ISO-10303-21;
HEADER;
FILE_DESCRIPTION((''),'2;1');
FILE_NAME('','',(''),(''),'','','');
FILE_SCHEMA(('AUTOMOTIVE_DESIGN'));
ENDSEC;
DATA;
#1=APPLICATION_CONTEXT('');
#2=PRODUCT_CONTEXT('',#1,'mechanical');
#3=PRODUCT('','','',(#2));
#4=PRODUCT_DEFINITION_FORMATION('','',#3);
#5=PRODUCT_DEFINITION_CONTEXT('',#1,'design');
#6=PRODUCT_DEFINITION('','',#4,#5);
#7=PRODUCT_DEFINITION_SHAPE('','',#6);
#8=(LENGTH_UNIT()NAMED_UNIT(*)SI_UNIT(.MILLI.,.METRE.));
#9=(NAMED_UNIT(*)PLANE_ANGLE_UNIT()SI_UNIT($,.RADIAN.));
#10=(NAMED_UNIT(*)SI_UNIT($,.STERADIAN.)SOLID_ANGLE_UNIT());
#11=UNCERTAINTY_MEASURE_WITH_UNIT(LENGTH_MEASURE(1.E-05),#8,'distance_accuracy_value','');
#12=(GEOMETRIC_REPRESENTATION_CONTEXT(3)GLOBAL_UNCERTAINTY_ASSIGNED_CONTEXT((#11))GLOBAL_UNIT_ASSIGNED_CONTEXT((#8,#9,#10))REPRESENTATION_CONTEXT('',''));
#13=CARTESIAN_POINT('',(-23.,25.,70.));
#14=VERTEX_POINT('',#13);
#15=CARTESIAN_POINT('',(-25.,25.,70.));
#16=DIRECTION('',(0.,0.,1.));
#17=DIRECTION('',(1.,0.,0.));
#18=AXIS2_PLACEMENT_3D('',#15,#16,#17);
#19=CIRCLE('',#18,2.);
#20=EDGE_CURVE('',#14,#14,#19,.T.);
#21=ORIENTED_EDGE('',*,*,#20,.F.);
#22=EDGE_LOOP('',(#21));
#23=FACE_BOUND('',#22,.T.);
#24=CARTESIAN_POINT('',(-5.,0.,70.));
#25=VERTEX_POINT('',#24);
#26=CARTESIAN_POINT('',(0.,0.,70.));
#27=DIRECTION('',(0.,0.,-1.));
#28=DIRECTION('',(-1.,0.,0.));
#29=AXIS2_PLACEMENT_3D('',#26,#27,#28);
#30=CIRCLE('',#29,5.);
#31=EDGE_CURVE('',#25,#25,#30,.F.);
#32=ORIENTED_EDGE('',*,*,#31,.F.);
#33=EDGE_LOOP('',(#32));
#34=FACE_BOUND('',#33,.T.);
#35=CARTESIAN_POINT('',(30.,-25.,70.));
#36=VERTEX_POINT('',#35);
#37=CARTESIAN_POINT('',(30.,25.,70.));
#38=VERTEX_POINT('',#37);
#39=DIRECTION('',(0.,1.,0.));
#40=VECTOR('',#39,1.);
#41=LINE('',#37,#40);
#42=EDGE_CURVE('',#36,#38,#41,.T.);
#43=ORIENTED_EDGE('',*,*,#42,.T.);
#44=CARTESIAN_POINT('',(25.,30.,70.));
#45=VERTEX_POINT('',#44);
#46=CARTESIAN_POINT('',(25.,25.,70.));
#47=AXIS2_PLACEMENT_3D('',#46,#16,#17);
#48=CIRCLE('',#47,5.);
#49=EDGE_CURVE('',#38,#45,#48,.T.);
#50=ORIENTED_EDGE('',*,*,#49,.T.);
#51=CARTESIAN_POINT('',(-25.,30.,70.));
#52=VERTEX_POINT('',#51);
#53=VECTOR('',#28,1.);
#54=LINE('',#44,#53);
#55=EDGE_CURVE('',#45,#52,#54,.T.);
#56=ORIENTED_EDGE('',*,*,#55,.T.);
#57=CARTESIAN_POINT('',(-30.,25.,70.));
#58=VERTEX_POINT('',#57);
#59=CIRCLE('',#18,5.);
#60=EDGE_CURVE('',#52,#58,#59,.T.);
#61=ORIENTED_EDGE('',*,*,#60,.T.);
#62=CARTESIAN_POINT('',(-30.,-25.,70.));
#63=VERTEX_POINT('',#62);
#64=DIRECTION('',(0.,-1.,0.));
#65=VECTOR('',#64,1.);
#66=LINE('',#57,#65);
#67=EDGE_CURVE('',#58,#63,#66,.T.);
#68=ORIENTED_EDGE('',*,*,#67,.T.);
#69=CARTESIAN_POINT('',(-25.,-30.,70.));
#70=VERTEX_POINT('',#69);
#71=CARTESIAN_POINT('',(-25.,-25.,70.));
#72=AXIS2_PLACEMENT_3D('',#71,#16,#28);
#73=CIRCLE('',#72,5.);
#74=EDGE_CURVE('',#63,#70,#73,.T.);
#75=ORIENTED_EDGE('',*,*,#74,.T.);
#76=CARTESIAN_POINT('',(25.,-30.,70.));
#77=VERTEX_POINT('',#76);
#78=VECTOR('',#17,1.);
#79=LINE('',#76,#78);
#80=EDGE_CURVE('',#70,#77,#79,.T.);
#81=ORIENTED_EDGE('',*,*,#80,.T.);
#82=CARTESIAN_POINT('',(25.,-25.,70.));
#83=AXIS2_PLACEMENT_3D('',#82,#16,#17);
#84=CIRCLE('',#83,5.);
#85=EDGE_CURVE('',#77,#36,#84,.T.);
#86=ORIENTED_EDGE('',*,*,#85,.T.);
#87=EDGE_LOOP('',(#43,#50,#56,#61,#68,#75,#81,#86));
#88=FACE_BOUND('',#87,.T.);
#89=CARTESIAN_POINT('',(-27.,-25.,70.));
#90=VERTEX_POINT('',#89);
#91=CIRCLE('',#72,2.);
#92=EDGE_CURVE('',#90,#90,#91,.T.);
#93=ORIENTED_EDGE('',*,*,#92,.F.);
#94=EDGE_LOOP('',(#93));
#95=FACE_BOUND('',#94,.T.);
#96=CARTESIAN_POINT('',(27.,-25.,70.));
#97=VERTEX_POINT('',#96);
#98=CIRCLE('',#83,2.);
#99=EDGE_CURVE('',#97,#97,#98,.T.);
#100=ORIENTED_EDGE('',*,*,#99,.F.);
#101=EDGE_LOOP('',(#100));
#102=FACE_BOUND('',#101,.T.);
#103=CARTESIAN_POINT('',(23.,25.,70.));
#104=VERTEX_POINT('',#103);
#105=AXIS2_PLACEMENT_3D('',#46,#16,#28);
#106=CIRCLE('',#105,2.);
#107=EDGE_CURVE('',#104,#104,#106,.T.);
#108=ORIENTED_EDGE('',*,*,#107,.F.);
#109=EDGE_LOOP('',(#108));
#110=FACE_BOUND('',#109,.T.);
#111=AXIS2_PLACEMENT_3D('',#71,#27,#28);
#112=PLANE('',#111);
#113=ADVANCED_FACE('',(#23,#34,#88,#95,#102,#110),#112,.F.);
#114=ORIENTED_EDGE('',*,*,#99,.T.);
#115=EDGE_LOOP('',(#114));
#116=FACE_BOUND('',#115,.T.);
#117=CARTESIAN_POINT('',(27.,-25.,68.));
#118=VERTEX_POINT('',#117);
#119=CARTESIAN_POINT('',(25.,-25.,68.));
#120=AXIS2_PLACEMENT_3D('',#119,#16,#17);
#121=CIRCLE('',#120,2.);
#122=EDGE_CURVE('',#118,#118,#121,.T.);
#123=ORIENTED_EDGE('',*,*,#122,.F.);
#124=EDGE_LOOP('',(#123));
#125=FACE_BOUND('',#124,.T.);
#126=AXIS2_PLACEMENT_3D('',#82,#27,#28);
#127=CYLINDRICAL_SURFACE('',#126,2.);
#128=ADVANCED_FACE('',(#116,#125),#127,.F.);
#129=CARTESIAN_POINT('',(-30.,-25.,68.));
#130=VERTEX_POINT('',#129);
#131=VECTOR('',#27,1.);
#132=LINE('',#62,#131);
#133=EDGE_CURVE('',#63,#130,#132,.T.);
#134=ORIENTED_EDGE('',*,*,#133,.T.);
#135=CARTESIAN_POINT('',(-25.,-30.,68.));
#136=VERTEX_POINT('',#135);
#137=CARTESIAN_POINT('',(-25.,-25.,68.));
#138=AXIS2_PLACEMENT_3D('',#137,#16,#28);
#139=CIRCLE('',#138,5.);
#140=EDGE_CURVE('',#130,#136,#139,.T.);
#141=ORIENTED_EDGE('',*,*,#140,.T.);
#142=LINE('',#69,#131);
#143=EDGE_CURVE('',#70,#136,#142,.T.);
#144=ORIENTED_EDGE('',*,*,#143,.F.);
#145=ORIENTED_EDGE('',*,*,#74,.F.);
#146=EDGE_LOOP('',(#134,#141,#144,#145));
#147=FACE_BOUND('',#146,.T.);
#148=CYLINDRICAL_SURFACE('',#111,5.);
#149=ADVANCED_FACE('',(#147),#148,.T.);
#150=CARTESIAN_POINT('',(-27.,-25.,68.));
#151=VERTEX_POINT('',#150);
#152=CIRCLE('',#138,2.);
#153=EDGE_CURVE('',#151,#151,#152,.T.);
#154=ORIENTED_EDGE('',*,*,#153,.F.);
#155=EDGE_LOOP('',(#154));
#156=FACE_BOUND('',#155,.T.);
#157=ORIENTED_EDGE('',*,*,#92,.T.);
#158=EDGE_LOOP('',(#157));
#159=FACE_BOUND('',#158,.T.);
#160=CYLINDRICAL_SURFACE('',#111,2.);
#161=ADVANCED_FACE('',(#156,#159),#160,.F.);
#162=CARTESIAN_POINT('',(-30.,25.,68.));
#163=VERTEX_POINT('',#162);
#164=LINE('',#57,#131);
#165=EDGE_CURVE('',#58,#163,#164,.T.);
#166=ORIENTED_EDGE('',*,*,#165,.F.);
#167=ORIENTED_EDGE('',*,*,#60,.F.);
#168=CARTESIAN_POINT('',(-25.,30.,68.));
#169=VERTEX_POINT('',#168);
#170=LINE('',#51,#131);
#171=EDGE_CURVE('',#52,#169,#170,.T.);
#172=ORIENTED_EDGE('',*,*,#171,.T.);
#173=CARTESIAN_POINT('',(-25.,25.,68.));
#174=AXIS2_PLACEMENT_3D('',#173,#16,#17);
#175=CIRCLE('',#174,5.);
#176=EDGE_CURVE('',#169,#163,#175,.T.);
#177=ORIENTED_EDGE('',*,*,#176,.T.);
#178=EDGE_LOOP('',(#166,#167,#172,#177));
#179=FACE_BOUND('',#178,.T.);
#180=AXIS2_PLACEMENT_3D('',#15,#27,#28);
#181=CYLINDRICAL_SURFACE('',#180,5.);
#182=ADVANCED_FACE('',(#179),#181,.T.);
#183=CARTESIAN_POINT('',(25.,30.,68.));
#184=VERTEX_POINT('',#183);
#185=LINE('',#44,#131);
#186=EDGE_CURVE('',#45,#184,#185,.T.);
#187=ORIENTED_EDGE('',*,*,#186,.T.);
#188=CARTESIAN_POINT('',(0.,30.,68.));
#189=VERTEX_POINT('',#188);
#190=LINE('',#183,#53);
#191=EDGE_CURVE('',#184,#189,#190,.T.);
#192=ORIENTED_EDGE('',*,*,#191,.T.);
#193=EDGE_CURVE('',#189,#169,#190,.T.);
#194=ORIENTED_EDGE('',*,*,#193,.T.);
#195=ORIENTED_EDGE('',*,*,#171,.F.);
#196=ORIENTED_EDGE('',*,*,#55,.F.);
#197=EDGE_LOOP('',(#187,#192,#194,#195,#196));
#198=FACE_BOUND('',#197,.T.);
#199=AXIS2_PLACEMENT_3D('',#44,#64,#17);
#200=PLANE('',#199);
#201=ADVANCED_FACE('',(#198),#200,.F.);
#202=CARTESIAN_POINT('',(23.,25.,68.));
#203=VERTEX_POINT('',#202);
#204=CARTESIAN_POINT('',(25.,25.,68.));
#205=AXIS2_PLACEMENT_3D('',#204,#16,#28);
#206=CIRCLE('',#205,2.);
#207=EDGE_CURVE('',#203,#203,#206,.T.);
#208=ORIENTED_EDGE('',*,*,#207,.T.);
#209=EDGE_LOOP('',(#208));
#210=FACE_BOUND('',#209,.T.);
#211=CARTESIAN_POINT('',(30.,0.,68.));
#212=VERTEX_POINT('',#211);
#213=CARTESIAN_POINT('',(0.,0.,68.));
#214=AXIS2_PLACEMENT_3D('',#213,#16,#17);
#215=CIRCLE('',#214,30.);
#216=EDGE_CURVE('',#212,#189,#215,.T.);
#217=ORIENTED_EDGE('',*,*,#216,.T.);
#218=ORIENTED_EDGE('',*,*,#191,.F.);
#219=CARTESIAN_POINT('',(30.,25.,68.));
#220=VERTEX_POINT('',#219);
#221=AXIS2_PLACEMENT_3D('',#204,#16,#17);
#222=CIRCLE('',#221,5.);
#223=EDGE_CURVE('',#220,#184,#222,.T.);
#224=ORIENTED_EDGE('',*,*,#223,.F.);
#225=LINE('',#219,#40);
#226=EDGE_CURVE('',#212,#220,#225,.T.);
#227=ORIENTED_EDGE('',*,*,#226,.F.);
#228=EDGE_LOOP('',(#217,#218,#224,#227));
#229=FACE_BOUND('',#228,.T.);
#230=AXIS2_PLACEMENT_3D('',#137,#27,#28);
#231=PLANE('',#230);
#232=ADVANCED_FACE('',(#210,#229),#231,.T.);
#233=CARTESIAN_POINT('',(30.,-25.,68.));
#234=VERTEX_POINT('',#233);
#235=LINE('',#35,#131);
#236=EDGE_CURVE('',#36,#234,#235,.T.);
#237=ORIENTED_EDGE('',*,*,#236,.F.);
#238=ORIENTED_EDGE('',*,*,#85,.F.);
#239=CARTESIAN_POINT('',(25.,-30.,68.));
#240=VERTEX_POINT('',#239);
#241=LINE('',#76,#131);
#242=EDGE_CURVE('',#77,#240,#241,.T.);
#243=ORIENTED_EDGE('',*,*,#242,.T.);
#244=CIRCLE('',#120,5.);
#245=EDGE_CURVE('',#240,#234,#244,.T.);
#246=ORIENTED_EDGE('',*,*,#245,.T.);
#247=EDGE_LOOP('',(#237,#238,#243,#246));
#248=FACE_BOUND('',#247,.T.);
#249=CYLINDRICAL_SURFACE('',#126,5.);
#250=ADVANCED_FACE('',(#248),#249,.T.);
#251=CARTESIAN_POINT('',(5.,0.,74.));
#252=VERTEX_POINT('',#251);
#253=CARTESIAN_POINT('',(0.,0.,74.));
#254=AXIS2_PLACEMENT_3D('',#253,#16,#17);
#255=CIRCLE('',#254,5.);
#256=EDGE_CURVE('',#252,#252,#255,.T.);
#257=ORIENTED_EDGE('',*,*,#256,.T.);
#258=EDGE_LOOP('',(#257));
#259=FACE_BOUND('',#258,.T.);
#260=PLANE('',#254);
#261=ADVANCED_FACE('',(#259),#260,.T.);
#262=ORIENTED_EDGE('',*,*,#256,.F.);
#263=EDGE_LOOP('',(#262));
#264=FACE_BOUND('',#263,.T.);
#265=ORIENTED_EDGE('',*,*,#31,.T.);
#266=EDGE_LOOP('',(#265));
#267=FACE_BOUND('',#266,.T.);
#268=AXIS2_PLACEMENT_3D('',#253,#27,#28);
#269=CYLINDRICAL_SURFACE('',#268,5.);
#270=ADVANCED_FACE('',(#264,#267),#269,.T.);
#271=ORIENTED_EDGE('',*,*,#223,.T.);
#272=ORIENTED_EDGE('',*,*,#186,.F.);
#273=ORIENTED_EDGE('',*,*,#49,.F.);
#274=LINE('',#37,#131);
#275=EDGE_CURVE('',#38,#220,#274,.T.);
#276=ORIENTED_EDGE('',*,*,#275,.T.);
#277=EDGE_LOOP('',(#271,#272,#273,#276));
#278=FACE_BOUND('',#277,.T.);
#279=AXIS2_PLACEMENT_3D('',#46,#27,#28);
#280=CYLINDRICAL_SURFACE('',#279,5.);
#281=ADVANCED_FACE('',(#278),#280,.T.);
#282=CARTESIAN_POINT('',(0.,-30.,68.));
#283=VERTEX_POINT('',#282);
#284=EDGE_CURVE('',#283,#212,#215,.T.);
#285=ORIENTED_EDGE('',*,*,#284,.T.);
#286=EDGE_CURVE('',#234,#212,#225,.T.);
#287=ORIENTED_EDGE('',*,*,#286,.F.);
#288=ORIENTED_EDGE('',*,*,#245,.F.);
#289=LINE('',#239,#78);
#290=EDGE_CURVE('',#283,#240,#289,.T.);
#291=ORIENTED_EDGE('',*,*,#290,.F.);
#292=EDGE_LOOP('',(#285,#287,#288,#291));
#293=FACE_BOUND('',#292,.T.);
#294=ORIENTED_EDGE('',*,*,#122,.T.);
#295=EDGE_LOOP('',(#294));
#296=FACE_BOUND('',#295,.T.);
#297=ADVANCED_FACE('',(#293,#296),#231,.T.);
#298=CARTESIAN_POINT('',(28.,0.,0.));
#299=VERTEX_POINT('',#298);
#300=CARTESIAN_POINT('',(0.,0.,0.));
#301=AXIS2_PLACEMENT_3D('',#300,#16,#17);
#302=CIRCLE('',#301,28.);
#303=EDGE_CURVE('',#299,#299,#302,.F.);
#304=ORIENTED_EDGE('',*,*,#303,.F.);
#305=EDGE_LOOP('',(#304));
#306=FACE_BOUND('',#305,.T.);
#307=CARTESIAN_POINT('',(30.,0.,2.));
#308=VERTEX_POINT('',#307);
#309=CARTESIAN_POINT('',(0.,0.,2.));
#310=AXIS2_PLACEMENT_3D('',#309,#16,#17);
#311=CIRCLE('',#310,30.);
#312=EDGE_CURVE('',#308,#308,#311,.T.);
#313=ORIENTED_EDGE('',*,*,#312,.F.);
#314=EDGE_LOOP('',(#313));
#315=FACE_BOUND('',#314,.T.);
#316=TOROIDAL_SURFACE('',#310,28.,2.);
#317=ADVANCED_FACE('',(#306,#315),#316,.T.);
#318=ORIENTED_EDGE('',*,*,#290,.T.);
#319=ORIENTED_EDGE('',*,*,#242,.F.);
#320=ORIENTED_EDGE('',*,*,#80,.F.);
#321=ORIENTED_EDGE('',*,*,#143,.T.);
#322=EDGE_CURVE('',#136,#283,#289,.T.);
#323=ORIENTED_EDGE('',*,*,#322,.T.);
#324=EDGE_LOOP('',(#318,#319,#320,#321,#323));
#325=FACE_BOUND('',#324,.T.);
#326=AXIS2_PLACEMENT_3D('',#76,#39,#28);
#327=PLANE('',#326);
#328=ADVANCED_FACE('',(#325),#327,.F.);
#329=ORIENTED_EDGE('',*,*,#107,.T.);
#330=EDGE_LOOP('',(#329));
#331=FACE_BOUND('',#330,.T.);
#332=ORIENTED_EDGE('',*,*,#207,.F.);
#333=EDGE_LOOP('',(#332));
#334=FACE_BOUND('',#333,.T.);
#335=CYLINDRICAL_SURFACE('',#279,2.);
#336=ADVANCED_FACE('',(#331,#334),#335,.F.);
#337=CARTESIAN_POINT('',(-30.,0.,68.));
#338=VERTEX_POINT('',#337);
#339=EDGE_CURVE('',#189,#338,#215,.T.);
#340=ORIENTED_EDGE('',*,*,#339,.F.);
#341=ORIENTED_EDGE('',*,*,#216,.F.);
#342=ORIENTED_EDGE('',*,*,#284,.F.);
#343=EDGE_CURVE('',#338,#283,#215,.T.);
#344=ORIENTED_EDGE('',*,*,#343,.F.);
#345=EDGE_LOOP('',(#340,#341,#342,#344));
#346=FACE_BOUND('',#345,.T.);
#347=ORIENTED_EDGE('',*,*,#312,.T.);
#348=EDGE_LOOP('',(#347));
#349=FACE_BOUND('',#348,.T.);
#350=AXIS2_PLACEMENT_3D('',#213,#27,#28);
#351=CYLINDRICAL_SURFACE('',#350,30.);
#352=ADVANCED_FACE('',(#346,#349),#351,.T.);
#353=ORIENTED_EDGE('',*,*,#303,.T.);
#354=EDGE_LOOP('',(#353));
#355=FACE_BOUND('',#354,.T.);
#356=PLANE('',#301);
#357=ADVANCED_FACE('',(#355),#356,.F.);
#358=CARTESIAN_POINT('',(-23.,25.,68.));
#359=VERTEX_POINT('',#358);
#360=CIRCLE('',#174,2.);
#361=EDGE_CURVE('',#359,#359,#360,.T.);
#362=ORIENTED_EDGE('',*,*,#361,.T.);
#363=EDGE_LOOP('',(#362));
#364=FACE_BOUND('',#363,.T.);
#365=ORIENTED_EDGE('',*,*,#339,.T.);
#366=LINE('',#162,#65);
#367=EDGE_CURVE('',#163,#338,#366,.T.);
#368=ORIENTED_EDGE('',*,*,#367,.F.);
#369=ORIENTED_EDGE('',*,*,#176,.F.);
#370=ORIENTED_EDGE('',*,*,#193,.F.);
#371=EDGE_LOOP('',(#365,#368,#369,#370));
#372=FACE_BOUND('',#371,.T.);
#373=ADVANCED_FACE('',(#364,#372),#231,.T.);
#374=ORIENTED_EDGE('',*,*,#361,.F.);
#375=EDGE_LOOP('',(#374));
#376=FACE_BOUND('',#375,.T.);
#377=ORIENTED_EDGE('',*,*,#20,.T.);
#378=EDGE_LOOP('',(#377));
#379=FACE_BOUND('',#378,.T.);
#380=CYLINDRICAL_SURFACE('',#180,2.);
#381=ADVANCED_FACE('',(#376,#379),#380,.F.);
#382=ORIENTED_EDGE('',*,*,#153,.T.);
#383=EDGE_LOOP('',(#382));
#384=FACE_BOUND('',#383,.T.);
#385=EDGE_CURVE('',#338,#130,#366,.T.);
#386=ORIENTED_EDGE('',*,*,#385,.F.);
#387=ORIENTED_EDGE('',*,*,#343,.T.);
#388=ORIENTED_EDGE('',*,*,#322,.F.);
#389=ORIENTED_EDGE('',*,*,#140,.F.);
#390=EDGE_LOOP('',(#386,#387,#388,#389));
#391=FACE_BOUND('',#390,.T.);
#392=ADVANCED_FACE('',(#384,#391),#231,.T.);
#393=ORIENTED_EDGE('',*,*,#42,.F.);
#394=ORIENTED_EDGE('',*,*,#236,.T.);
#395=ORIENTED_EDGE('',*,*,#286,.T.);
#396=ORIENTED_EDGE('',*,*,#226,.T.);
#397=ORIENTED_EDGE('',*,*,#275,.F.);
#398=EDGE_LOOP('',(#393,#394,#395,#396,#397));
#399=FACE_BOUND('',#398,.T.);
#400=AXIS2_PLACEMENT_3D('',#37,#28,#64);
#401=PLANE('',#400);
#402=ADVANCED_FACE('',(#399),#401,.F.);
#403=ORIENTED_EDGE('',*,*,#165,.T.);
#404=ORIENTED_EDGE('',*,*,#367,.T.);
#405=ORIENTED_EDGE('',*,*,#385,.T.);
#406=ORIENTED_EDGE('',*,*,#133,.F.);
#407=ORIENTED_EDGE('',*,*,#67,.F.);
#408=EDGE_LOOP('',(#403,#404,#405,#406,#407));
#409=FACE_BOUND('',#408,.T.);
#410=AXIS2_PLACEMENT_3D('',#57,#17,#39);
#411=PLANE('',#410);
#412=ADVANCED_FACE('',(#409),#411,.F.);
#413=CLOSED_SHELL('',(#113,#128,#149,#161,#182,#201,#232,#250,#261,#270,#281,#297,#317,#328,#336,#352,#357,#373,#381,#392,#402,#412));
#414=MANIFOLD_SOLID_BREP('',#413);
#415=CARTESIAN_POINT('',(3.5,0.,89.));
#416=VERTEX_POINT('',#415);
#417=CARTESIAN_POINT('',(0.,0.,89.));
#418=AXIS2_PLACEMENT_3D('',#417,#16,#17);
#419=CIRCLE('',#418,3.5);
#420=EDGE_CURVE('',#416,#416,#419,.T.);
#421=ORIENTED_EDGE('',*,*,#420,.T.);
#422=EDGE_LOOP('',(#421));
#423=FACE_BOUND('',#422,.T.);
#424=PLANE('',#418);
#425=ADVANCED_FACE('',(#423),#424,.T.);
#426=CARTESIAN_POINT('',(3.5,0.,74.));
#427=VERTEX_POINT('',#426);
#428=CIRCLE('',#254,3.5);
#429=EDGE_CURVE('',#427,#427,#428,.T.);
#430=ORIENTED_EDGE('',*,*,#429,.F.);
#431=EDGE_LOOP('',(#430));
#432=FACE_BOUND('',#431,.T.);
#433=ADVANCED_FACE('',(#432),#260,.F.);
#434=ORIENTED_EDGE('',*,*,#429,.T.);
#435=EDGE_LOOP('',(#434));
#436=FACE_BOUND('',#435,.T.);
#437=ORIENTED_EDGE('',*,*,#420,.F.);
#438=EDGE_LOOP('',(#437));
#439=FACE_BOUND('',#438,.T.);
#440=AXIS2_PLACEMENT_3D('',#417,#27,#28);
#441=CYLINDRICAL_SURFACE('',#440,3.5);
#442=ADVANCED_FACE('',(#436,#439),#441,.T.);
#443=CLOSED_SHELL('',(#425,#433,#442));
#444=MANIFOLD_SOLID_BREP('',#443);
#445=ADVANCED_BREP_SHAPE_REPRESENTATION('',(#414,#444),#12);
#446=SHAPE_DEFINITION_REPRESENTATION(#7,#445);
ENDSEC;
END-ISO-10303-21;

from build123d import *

# Parameters (mm, degrees)
SKETCH1_R           = 30
BOSS_EXTRUDE1_DEPTH = 68
SKETCH2_R           = 2
BOSS_EXTRUDE2_DEPTH = 2
FILLET1_R           = 2
SKETCH3_R           = 5
BOSS_EXTRUDE3_DEPTH = 4
SKETCH4_R           = 3.5
BOSS_EXTRUDE4_DEPTH = 15


with BuildPart() as part:
    # Sketch1 → Boss-Extrude1 (new body)
    with BuildSketch(Plane.XY):
        Circle(SKETCH1_R)
    extrude(amount=BOSS_EXTRUDE1_DEPTH)

    # Sketch2 → Boss-Extrude2 (add)
    with BuildSketch(Plane.XY.offset(68)):
        with BuildLine():
            Line((25, 30), (-25, 30))
            ThreePointArc((-25, 30), (-28.535533906, 28.535533906), (-30, 25))
            Line((-30, 25), (-30, -25))
            ThreePointArc((-30, -25), (-28.535533906, -28.535533906), (-25, -30))
            Line((-25, -30), (25, -30))
            ThreePointArc((25, -30), (28.535533906, -28.535533906), (30, -25))
            Line((30, -25), (30, 25))
            ThreePointArc((30, 25), (28.535533906, 28.535533906), (25, 30))
        make_face()
        with Locations((-25, 25)):
            Circle(SKETCH2_R, mode=Mode.SUBTRACT)
        with Locations((25, 25)):
            Circle(SKETCH2_R, mode=Mode.SUBTRACT)
        with Locations((25, -25)):
            Circle(SKETCH2_R, mode=Mode.SUBTRACT)
        with Locations((-25, -25)):
            Circle(SKETCH2_R, mode=Mode.SUBTRACT)
    extrude(amount=BOSS_EXTRUDE2_DEPTH)

    # Fillet1
    fillet1_edges = [part.edges().sort_by_distance(p)[0] for p in [
        (-30, 0, 0),
    ]]
    fillet(fillet1_edges, radius=FILLET1_R)

    # Sketch3 → Boss-Extrude3 (add)
    with BuildSketch(Plane.XY.offset(70)):
        Circle(SKETCH3_R)
    extrude(amount=BOSS_EXTRUDE3_DEPTH)


with BuildPart() as body_2:
    # Sketch4 → Boss-Extrude4 (new body)
    with BuildSketch(Plane.XY.offset(74)):
        Circle(SKETCH4_R)
    extrude(amount=BOSS_EXTRUDE4_DEPTH)


solid = Compound([part.part, body_2.part])
